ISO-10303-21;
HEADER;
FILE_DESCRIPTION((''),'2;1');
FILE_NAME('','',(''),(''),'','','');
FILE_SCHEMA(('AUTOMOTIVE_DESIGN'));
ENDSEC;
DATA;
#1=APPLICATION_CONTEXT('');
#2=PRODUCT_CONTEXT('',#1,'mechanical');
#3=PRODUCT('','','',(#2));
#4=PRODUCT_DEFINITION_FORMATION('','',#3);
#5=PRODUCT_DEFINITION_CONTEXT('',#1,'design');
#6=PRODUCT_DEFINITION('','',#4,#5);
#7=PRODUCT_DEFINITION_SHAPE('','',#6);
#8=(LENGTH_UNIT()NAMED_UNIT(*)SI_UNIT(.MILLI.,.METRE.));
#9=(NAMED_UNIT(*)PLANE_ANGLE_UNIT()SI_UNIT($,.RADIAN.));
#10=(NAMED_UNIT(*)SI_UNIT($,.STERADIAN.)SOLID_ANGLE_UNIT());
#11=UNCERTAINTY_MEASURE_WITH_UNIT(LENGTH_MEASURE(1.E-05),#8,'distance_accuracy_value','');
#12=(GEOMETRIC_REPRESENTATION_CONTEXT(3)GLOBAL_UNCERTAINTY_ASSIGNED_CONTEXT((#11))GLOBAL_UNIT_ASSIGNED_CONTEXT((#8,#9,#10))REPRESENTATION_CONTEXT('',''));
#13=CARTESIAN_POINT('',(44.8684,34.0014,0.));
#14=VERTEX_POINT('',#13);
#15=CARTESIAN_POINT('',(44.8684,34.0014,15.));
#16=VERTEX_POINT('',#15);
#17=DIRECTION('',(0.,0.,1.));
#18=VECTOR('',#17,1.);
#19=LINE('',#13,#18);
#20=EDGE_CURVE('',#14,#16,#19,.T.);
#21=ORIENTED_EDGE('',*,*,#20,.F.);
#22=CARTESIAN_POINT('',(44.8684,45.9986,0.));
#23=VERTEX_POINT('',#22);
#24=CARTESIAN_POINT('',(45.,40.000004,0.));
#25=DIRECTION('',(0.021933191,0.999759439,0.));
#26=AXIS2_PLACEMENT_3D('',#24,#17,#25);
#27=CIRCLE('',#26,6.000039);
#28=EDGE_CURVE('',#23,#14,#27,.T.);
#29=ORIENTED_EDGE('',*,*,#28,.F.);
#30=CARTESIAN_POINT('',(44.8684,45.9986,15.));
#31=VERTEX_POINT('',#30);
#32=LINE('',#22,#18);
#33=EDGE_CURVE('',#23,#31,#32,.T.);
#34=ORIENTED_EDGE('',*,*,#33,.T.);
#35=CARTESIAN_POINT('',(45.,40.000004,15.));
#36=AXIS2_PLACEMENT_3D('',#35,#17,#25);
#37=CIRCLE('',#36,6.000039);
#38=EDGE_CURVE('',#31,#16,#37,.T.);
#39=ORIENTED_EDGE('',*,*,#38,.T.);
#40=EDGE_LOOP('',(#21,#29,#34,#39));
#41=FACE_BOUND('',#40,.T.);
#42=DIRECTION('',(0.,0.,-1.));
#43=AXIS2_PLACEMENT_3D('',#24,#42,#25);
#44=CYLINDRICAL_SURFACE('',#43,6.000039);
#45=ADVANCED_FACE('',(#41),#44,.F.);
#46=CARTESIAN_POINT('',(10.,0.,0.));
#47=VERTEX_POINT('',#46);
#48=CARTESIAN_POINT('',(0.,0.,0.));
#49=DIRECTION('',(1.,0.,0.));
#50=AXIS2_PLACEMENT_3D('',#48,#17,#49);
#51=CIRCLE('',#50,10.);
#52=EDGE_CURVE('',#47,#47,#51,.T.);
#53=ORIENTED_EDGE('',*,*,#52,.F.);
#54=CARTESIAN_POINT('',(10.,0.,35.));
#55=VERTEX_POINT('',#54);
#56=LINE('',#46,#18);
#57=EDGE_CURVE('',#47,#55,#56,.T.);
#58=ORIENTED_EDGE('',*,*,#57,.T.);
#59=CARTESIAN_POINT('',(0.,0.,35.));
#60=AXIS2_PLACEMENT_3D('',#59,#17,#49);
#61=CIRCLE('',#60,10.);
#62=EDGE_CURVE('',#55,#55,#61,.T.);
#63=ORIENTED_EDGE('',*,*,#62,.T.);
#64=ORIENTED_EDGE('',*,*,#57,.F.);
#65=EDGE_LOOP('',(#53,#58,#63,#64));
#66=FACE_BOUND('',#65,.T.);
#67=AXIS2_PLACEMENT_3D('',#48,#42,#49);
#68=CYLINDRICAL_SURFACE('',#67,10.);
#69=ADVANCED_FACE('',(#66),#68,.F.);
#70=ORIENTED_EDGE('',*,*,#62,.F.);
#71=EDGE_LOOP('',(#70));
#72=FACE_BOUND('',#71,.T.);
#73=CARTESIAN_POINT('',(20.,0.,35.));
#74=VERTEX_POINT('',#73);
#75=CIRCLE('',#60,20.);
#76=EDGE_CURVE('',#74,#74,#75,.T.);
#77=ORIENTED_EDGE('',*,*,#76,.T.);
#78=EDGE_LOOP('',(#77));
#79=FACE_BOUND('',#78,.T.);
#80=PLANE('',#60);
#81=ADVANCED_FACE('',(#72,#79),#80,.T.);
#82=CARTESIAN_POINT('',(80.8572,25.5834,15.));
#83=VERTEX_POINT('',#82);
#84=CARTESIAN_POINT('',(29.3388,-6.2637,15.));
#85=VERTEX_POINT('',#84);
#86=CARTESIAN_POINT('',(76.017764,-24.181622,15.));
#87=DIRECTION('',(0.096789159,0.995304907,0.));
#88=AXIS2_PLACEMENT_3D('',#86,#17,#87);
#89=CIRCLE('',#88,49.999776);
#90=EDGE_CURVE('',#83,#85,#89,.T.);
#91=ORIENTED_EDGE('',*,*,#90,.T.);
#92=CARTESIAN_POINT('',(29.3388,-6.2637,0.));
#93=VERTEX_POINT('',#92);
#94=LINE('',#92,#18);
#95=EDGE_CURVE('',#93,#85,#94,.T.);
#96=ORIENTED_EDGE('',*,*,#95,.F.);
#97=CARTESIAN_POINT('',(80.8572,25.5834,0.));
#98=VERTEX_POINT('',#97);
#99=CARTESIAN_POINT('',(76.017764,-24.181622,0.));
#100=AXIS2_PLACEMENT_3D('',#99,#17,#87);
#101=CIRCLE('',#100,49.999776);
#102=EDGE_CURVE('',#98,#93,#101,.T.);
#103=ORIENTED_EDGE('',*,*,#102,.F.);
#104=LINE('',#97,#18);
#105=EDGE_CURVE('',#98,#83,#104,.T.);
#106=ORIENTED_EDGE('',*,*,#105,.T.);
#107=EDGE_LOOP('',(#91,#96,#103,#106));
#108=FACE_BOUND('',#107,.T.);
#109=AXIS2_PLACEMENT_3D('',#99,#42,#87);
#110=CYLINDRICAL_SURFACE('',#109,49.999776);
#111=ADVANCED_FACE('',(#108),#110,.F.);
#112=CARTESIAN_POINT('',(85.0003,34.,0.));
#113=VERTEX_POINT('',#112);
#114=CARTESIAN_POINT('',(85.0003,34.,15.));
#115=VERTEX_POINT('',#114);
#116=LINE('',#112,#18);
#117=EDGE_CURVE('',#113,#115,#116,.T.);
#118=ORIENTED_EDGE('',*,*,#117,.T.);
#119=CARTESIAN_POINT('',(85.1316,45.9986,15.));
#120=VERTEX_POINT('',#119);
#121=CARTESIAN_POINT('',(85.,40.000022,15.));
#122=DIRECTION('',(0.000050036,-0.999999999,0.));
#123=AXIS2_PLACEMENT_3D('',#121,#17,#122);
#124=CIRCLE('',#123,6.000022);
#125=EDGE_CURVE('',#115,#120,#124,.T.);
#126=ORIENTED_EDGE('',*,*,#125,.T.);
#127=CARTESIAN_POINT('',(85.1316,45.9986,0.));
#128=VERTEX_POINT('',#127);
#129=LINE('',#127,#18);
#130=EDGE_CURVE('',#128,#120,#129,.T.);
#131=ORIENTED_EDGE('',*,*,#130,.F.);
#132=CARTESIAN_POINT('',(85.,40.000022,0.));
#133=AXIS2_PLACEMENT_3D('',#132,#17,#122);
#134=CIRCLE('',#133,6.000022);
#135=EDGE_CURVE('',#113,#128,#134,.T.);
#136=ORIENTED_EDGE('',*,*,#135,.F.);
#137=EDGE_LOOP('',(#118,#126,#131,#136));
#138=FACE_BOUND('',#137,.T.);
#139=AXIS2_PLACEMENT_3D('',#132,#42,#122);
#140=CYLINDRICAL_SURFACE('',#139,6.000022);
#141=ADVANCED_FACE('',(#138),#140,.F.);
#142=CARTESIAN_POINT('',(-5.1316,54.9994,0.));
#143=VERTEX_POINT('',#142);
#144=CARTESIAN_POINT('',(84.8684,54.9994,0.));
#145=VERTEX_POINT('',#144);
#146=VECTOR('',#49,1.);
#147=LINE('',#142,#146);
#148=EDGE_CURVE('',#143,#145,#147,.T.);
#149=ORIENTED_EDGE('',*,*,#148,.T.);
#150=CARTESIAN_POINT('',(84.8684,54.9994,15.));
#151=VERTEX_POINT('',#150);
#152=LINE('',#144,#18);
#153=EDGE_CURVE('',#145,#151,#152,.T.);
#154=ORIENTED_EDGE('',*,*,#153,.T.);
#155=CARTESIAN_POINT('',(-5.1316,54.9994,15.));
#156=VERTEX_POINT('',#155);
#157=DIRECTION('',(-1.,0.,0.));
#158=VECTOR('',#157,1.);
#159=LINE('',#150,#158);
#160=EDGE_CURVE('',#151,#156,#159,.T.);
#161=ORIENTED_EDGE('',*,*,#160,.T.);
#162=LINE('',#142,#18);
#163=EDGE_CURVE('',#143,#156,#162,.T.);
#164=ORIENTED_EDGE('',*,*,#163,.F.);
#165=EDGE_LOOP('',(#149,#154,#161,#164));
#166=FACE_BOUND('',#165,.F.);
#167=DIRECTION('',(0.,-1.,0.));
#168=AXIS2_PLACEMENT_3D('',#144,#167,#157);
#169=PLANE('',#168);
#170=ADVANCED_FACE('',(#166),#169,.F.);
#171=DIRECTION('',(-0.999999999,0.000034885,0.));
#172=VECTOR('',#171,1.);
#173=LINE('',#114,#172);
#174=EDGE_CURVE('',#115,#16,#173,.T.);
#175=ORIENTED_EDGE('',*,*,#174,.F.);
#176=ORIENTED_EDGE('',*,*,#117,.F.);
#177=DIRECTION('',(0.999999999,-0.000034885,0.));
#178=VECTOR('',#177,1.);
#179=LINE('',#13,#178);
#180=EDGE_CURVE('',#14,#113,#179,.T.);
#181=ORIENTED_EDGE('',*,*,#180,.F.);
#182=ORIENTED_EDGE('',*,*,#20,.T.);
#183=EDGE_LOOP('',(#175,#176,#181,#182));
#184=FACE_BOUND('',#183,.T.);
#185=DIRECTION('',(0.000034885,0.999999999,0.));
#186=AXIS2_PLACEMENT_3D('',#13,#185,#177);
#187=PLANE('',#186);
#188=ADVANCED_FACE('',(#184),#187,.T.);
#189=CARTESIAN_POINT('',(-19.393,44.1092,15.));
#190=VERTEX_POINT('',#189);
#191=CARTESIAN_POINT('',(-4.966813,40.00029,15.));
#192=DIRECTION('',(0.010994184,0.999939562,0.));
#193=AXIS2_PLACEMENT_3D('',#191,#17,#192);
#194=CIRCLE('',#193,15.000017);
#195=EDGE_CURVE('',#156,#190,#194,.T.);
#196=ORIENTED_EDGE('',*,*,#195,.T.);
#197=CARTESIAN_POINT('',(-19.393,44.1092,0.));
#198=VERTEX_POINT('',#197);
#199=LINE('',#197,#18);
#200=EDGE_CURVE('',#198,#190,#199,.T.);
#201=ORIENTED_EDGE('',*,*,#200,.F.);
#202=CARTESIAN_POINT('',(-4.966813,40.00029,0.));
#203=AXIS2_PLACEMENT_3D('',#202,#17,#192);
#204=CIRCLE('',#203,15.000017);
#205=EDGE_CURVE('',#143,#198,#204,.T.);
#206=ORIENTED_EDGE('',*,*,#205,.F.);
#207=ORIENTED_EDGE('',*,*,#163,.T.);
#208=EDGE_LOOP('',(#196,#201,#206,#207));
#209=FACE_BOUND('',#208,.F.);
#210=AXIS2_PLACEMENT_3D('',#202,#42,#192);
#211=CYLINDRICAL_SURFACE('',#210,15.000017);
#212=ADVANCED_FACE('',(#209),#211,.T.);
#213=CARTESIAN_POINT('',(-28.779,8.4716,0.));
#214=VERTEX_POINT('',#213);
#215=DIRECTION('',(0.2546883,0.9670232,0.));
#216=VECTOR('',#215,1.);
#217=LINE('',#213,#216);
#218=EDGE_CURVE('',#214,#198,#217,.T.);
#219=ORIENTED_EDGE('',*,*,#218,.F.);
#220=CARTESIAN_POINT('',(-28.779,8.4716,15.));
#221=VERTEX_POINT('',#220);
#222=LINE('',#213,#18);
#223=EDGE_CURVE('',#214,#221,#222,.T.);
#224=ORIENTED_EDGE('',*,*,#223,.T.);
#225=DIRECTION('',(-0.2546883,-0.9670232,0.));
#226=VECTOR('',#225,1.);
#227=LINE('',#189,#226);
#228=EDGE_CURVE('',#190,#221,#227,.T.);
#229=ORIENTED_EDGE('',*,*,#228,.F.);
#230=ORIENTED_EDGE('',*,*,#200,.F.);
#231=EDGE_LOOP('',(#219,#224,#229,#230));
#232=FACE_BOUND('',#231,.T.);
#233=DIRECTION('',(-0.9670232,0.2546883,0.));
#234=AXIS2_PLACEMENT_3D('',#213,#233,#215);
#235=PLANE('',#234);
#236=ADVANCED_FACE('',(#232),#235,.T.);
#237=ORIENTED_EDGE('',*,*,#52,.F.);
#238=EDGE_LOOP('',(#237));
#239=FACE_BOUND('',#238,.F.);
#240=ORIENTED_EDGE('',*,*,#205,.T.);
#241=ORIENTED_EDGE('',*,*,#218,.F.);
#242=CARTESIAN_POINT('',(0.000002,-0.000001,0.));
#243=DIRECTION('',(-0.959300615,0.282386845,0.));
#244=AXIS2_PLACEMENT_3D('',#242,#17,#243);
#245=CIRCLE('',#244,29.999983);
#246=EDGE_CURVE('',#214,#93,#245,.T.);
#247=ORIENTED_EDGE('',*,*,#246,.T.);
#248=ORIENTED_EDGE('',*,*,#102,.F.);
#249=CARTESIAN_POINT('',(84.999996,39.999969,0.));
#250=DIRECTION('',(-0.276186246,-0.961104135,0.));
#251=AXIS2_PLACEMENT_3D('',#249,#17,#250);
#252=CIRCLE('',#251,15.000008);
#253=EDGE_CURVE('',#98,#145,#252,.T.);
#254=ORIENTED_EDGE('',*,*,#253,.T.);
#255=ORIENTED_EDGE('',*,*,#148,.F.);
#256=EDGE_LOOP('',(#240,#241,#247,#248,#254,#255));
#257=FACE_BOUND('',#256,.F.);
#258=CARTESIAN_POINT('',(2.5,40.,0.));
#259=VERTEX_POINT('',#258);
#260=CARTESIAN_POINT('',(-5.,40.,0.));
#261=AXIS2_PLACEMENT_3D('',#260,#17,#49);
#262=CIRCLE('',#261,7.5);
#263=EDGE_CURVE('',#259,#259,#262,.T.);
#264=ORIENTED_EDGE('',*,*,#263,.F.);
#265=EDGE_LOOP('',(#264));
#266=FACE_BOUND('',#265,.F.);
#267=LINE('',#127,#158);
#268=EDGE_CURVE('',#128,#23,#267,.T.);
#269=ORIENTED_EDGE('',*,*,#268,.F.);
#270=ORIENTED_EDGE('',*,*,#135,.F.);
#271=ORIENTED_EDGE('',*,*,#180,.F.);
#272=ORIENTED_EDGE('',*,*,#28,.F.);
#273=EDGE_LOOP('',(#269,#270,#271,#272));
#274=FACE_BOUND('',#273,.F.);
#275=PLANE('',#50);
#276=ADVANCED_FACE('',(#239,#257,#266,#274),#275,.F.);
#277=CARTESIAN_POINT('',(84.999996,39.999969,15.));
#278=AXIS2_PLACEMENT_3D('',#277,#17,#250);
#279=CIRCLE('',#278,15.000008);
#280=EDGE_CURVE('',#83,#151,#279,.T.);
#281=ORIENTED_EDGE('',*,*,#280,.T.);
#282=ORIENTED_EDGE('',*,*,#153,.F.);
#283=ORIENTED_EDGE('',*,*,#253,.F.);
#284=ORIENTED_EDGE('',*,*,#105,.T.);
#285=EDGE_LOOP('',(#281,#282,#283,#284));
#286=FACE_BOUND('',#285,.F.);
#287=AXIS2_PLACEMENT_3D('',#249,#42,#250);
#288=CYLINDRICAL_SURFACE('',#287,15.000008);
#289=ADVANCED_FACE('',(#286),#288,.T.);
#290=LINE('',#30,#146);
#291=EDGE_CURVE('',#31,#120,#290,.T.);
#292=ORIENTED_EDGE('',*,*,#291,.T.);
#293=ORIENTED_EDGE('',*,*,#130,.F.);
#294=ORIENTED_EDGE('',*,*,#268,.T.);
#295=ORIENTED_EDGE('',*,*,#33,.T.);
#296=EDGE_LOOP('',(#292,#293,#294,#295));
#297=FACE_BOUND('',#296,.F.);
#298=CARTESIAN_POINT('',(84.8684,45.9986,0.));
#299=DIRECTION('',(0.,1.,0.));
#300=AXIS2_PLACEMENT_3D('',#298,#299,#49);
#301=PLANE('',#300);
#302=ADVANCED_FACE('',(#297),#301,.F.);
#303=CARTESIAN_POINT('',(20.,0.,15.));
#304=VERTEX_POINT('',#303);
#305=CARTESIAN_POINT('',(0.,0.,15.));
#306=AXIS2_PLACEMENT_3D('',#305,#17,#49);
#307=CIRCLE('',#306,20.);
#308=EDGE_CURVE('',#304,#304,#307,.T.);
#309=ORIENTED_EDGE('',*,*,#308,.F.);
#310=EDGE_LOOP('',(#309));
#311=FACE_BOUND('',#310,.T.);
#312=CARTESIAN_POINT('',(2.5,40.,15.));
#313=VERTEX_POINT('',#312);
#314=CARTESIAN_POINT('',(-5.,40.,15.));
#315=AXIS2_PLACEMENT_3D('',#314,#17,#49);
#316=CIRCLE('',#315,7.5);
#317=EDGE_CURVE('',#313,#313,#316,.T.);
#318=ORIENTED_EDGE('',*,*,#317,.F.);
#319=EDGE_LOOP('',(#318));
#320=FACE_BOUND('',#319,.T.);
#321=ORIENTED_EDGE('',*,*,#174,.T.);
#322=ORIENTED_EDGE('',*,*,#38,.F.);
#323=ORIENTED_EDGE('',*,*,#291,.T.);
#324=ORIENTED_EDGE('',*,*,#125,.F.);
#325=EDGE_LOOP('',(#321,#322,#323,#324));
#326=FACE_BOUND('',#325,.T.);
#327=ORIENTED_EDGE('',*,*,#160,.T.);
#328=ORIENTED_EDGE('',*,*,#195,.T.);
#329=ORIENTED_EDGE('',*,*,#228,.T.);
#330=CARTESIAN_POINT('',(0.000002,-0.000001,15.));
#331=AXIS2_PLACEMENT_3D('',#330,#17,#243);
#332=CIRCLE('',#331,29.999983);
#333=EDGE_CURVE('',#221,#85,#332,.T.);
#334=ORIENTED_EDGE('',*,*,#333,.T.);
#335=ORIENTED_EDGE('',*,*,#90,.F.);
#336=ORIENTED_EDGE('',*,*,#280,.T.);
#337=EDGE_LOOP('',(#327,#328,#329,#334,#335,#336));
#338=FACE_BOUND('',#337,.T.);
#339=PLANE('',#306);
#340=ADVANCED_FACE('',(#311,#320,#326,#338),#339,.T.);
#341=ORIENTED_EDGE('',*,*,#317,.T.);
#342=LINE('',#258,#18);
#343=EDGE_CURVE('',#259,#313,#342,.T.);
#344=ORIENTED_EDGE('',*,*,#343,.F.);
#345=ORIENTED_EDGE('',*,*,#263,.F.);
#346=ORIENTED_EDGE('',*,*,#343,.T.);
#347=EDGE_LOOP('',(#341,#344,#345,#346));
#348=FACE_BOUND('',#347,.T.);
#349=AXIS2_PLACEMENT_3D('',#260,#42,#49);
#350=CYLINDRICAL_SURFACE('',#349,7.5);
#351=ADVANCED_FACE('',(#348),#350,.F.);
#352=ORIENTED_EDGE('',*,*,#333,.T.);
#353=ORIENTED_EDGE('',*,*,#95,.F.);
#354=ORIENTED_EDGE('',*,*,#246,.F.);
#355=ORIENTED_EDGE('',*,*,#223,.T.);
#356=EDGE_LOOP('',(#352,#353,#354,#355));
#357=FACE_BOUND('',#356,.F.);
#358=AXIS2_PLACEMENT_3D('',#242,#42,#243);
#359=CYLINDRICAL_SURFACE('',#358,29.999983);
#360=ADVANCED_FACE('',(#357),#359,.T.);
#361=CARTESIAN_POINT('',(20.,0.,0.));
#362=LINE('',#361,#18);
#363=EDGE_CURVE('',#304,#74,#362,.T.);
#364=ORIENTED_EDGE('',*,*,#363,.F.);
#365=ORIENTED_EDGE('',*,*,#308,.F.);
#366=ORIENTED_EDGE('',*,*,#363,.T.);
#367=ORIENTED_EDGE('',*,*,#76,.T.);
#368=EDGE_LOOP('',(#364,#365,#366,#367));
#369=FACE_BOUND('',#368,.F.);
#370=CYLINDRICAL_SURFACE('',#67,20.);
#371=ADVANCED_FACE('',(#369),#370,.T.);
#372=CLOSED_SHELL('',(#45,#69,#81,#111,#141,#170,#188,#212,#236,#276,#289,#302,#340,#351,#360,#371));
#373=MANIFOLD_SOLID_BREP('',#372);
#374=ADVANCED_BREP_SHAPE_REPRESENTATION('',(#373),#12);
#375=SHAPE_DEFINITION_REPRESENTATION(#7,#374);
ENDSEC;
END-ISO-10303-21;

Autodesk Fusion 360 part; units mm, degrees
sketch "Sketch1" plane through (0, 0, 0) normal (0, 0, 1) x (1, 0, 0)
  circle A0 centre (0, 0) radius 10
  circle A1 centre (0, 0) radius 20
  line L0 (44.8684, 45.9986) -> (85.1316, 45.9986)
  line L1 (44.8684, 34.0014) -> (85.0003, 34)
  arc A2 (45.1316, 45.9986) -> (45.1312, 34.0014) centre (45, 40) ccw
  arc A3 (80.8572, 25.5834) -> (84.8684, 54.9994) centre (85, 40) ccw
  arc A4 (84.9992, 34) -> (84.8684, 45.9986) centre (85, 40) ccw
  line L2 (84.8684, 54.9994) -> (-5.1316, 54.9994)
  circle A5 centre (-5, 40) radius 7.5
  arc A6 (-4.8019, 54.9994) -> (-19.5455, 43.5305) centre (-4.9668, 40.0003) ccw
  line L3 (-28.779, 8.4716) -> (-19.393, 44.1092)
  arc A7 (80.8572, 25.5834) -> (29.3388, -6.2637) centre (76.0178, -24.1816) ccw
  arc A8 (-28.779, 8.4716) -> (29.3388, -6.2637) centre (0, 0) ccw
sketch "Sketch2" plane through (0, 0, 0) normal (0, 0, 1) x (1, 0, 0)
extrude "Extrude1" add sketch "Sketch1" along normal blind 15 contours A3 L2 A6 L3 A7 A8
extrude "Extrude2" add sketch "Sketch1" along normal blind 35 contours A1
